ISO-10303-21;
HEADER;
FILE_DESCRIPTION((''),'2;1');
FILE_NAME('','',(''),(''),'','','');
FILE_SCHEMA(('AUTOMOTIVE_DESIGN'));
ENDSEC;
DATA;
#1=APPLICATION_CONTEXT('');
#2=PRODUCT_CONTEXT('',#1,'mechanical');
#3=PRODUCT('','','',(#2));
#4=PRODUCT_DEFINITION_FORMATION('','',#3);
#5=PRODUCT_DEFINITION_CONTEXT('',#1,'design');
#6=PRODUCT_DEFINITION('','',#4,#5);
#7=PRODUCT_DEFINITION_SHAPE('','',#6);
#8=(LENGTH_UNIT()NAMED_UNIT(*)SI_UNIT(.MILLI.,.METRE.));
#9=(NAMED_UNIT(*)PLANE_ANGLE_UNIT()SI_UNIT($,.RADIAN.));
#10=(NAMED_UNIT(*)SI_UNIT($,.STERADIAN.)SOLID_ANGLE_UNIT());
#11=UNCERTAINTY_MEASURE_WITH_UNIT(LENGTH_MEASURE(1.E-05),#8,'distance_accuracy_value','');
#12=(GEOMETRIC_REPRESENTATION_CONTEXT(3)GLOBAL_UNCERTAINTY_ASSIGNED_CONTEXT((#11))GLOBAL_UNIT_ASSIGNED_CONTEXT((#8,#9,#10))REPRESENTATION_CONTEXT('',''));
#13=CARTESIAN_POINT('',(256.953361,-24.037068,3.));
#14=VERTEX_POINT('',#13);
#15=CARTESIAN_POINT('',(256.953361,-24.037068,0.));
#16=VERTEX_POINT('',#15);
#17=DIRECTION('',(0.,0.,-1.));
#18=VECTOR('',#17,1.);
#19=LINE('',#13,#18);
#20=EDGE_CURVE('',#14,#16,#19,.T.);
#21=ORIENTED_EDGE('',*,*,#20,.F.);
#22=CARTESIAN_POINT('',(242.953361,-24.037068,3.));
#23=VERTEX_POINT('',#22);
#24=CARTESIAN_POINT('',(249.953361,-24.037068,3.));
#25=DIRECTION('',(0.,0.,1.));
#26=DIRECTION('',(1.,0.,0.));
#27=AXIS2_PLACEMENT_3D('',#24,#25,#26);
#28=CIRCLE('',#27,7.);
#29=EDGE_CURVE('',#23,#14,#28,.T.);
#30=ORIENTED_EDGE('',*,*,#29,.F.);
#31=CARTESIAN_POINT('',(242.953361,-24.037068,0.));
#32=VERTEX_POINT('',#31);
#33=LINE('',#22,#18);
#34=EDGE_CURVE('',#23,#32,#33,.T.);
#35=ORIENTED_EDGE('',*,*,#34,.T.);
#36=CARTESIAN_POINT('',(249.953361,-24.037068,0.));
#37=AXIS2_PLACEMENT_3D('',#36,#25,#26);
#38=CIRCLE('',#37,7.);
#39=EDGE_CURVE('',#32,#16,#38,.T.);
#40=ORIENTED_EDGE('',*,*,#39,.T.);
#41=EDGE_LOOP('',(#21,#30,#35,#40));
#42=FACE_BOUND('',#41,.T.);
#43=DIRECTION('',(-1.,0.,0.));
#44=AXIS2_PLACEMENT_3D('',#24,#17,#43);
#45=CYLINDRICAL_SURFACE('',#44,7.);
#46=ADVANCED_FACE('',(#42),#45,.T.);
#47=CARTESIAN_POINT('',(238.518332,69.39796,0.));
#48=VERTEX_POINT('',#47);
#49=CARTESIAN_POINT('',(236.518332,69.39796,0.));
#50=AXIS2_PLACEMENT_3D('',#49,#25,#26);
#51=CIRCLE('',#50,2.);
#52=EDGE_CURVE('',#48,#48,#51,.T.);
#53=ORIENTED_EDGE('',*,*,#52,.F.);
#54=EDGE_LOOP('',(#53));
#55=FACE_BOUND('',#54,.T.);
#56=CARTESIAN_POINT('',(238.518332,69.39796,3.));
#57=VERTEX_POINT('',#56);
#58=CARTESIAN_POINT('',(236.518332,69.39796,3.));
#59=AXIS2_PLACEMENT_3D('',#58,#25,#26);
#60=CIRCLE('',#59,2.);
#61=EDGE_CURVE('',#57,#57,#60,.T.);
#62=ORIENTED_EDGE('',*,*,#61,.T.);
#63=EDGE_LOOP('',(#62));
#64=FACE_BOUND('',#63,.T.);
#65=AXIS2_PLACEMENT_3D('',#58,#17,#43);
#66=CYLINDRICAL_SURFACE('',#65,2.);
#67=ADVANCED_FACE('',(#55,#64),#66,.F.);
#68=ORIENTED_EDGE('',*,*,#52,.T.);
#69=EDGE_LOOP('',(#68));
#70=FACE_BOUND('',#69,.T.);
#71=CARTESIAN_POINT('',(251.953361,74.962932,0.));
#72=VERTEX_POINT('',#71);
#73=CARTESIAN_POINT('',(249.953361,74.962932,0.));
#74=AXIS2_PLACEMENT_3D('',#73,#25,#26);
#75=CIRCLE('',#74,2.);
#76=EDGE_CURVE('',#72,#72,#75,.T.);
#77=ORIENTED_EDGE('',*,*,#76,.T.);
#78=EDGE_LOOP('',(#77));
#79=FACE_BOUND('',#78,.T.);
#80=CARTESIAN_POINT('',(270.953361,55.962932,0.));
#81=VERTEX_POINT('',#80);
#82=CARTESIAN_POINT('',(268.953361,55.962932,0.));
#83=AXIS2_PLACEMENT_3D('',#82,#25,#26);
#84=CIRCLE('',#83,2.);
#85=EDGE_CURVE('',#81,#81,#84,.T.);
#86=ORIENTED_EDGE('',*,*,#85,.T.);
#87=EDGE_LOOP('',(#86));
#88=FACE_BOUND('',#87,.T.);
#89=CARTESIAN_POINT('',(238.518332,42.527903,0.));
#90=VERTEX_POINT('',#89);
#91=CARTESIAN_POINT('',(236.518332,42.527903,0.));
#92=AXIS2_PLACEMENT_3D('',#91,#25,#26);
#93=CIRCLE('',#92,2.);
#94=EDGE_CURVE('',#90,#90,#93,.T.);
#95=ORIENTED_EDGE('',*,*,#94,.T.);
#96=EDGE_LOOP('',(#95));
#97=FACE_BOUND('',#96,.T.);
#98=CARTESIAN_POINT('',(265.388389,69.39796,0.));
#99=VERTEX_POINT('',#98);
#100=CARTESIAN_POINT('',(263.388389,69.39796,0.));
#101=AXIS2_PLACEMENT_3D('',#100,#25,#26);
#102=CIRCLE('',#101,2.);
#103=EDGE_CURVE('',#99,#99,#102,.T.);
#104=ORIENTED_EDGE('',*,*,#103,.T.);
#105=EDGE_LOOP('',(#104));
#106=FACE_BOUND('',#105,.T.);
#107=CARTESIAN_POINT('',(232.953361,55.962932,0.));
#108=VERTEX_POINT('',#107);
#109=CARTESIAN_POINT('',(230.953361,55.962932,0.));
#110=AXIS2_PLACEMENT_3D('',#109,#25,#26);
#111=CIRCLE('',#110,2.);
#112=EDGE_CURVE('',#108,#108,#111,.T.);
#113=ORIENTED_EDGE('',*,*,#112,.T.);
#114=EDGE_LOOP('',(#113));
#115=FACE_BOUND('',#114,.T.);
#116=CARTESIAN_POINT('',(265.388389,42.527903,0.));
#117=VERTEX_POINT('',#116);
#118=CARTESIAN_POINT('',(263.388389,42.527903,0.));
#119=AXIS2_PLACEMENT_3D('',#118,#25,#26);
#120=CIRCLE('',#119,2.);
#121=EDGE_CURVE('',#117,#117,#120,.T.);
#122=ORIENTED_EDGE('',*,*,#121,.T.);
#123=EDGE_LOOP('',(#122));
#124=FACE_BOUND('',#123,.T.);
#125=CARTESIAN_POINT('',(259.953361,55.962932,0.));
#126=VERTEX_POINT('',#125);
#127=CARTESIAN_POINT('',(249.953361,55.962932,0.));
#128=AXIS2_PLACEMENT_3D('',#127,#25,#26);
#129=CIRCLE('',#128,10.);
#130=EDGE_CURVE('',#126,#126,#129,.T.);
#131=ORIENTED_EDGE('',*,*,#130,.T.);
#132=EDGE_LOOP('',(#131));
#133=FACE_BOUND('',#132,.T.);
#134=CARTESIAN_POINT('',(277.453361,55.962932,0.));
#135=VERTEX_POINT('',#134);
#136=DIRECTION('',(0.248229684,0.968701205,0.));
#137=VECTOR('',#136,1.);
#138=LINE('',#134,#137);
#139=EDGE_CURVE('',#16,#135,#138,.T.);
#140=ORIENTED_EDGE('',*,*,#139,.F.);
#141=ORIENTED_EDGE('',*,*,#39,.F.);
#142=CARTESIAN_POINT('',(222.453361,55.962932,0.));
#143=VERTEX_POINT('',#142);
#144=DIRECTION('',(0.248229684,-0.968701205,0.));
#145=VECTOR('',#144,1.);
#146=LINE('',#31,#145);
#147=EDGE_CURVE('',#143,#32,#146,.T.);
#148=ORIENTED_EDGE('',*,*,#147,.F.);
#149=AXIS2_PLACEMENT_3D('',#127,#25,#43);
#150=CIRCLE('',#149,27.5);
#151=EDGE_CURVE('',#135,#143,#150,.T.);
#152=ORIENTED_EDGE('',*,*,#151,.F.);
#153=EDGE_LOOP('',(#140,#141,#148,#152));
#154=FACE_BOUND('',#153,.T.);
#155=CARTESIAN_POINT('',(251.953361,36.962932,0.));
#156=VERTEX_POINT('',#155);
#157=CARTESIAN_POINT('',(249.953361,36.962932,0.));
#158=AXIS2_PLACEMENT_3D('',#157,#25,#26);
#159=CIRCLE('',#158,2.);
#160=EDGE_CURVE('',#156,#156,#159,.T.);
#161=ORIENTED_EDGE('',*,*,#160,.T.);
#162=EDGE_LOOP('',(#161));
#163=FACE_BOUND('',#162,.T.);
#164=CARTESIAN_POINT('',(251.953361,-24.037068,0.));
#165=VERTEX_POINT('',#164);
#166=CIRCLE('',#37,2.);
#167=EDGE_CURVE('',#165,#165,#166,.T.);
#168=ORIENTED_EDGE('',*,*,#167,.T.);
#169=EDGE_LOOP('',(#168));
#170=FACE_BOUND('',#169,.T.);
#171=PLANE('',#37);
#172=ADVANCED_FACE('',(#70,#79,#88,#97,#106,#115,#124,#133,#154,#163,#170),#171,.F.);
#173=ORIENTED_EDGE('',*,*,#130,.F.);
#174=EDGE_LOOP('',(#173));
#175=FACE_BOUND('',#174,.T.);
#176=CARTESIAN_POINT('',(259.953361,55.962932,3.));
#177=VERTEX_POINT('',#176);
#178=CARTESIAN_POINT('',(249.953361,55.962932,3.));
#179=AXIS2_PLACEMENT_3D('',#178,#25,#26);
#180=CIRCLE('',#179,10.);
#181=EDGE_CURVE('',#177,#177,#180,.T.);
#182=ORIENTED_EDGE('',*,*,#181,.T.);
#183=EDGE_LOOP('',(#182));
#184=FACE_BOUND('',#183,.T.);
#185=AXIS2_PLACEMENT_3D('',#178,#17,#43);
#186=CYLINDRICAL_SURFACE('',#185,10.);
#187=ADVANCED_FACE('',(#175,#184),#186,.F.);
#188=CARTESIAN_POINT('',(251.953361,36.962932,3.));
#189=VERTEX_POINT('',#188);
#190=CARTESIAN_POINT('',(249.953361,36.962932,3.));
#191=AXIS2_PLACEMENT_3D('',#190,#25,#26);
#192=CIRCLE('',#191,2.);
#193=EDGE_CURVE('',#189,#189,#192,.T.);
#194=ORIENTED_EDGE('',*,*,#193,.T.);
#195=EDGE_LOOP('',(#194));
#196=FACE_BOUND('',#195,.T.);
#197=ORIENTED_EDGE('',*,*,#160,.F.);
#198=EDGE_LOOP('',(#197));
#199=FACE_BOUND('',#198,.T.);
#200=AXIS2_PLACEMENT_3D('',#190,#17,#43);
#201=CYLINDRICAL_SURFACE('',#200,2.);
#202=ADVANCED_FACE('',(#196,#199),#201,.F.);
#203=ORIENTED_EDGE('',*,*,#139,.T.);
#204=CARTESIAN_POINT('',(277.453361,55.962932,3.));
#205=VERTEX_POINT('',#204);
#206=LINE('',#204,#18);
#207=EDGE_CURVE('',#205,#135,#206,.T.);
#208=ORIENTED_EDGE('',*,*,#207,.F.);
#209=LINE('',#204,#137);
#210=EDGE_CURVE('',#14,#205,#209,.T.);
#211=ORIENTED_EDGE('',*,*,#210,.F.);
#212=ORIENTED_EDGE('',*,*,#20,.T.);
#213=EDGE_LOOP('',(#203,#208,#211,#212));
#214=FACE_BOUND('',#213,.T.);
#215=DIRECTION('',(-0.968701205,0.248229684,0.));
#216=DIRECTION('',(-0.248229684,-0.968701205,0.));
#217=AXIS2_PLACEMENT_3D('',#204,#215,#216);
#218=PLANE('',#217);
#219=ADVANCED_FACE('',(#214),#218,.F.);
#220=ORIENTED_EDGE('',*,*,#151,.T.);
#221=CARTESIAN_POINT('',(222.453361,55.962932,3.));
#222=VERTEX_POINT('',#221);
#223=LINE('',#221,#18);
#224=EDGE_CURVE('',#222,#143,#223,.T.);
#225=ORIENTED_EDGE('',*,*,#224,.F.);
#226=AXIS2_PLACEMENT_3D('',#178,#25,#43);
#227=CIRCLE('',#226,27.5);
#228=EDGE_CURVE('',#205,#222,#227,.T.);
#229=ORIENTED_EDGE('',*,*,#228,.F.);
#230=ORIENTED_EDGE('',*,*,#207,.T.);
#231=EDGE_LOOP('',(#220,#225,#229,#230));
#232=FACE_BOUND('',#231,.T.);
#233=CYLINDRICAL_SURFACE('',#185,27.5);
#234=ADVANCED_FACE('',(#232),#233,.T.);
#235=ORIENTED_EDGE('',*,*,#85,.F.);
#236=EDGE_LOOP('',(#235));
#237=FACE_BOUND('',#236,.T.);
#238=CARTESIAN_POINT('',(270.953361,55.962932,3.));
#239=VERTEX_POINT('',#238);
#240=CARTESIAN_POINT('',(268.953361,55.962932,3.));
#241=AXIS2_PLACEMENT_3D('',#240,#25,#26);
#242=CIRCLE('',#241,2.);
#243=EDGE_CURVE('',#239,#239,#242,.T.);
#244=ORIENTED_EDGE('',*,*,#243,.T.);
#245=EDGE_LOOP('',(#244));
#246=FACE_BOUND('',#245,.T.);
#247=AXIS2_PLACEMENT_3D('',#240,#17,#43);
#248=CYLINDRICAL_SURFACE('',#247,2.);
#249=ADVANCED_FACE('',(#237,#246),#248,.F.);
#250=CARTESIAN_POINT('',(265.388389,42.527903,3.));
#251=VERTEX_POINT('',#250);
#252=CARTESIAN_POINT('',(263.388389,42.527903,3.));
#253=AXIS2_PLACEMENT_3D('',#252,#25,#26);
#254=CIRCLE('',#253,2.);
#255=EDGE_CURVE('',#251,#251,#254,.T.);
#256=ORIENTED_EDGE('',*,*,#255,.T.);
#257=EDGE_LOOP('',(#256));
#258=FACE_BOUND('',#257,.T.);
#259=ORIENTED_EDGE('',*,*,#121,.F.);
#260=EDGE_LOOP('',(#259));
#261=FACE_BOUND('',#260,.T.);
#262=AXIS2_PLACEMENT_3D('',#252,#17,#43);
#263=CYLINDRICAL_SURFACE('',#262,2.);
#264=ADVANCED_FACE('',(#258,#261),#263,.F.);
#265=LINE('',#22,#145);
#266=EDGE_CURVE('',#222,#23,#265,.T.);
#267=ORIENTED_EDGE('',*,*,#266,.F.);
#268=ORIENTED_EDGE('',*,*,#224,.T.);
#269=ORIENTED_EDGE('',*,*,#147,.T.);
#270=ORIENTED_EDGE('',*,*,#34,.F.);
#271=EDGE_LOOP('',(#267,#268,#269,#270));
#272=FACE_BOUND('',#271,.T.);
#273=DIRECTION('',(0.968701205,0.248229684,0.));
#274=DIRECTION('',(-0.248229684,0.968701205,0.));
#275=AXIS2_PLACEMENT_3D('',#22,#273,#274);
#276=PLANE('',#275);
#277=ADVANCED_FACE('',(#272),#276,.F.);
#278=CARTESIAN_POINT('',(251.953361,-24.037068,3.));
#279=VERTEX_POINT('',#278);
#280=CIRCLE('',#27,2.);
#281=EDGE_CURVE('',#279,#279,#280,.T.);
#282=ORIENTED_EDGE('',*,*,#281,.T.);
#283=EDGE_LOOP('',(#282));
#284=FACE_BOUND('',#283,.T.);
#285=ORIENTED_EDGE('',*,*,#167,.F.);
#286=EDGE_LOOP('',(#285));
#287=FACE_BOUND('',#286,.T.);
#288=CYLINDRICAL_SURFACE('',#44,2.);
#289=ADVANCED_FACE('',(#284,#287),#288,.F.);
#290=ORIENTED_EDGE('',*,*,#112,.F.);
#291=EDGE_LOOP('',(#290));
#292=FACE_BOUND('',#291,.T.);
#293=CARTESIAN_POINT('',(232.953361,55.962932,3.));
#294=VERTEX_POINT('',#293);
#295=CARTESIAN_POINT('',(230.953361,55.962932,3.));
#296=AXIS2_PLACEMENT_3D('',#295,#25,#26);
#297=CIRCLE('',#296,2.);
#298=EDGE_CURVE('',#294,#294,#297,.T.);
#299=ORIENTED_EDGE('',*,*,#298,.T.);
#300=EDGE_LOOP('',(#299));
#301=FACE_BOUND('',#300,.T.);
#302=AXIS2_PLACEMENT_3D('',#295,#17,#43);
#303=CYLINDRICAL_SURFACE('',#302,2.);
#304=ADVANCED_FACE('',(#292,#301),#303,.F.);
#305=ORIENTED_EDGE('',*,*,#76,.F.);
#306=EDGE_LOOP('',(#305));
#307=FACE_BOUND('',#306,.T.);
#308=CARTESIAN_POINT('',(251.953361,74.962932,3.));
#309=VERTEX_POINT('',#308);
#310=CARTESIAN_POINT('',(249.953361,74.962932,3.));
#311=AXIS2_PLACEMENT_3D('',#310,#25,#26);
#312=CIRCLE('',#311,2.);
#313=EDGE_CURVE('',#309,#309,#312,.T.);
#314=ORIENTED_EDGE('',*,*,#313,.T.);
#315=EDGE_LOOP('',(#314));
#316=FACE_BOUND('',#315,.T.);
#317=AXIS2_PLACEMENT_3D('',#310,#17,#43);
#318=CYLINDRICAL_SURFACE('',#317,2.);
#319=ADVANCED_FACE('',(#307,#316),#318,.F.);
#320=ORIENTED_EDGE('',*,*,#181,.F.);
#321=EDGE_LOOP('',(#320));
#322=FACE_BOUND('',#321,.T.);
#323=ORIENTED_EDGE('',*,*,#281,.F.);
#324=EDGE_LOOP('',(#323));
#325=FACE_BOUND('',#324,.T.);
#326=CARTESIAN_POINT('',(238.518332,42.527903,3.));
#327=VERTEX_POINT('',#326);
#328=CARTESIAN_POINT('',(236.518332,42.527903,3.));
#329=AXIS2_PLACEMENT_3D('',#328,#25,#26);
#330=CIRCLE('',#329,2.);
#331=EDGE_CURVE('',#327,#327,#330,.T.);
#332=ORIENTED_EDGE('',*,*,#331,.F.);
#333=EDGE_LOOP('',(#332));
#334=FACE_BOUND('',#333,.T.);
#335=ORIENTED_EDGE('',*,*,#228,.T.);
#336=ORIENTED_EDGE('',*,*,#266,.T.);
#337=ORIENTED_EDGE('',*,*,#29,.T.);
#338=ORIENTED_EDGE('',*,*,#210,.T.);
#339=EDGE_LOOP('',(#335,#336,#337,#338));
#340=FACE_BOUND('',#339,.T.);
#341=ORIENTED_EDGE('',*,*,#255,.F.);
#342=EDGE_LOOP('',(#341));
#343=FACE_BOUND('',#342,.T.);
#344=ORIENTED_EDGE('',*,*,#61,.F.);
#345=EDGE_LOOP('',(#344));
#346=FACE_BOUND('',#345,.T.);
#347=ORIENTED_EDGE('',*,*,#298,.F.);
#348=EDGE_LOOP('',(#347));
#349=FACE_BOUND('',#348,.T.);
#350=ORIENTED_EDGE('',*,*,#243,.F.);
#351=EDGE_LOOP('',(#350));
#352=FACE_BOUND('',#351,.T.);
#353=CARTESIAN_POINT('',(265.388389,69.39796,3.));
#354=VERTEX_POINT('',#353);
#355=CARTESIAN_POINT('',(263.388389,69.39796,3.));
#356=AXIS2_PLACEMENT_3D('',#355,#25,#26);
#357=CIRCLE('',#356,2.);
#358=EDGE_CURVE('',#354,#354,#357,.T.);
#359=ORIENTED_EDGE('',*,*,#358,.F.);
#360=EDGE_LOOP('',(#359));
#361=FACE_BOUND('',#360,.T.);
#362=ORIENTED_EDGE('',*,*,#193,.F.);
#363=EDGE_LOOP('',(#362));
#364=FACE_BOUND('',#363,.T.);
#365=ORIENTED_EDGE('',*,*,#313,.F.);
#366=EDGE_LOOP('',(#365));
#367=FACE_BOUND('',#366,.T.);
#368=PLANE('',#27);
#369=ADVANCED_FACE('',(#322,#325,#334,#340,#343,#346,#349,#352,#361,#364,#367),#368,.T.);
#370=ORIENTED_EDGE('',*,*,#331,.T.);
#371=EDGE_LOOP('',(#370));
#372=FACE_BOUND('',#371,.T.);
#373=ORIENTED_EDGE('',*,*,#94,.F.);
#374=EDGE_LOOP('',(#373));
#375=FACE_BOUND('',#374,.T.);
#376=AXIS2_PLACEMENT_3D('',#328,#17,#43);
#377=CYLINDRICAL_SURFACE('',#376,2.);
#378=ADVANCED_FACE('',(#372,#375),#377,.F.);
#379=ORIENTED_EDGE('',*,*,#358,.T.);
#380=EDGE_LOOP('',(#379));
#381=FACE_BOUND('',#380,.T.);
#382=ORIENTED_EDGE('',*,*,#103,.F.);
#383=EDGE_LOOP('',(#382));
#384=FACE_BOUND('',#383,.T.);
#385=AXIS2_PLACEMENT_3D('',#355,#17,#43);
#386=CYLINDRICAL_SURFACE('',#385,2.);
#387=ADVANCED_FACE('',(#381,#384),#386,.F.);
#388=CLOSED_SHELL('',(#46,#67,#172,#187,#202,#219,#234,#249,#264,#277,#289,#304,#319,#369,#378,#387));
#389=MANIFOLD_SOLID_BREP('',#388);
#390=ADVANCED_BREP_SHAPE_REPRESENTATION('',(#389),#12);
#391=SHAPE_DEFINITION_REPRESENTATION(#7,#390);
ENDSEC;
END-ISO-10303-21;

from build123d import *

# Parameters (mm, degrees)
SKETCH_1_R      = 10
SKETCH_1_R_2    = 2
EXTRUDE_1_DEPTH = 3


with BuildPart() as part:
    # 草图1 → 凸台-拉伸1 (new body)
    with BuildSketch(Plane.XY):
        with BuildLine():
            Line((242.953360513, -24.037068397), (222.453360513, 55.962931603))
            ThreePointArc((222.453360513, 55.962931603), (249.953360513, 83.462931603), (277.453360513, 55.962931603))
            Line((277.453360513, 55.962931603), (256.953360513, -24.037068397))
            ThreePointArc((256.953360513, -24.037068397), (249.953360513, -31.037068397), (242.953360513, -24.037068397))
        make_face()
        with Locations((249.953360513, 55.962931603)):
            Circle(SKETCH_1_R, mode=Mode.SUBTRACT)
        with Locations((230.953360513, 55.962931603)):
            Circle(SKETCH_1_R_2, mode=Mode.SUBTRACT)
        with Locations((236.518331671, 69.397960445)):
            Circle(SKETCH_1_R_2, mode=Mode.SUBTRACT)
        with Locations((249.953360513, 74.962931603)):
            Circle(SKETCH_1_R_2, mode=Mode.SUBTRACT)
        with Locations((263.388389356, 69.397960445)):
            Circle(SKETCH_1_R_2, mode=Mode.SUBTRACT)
        with Locations((268.953360513, 55.962931603)):
            Circle(SKETCH_1_R_2, mode=Mode.SUBTRACT)
        with Locations((263.388389356, 42.52790276)):
            Circle(SKETCH_1_R_2, mode=Mode.SUBTRACT)
        with Locations((249.953360513, 36.962931603)):
            Circle(SKETCH_1_R_2, mode=Mode.SUBTRACT)
        with Locations((236.518331671, 42.52790276)):
            Circle(SKETCH_1_R_2, mode=Mode.SUBTRACT)
        with Locations((249.953360513, -24.037068397)):
            Circle(SKETCH_1_R_2, mode=Mode.SUBTRACT)
    extrude(amount=EXTRUDE_1_DEPTH)


solid = part.part
